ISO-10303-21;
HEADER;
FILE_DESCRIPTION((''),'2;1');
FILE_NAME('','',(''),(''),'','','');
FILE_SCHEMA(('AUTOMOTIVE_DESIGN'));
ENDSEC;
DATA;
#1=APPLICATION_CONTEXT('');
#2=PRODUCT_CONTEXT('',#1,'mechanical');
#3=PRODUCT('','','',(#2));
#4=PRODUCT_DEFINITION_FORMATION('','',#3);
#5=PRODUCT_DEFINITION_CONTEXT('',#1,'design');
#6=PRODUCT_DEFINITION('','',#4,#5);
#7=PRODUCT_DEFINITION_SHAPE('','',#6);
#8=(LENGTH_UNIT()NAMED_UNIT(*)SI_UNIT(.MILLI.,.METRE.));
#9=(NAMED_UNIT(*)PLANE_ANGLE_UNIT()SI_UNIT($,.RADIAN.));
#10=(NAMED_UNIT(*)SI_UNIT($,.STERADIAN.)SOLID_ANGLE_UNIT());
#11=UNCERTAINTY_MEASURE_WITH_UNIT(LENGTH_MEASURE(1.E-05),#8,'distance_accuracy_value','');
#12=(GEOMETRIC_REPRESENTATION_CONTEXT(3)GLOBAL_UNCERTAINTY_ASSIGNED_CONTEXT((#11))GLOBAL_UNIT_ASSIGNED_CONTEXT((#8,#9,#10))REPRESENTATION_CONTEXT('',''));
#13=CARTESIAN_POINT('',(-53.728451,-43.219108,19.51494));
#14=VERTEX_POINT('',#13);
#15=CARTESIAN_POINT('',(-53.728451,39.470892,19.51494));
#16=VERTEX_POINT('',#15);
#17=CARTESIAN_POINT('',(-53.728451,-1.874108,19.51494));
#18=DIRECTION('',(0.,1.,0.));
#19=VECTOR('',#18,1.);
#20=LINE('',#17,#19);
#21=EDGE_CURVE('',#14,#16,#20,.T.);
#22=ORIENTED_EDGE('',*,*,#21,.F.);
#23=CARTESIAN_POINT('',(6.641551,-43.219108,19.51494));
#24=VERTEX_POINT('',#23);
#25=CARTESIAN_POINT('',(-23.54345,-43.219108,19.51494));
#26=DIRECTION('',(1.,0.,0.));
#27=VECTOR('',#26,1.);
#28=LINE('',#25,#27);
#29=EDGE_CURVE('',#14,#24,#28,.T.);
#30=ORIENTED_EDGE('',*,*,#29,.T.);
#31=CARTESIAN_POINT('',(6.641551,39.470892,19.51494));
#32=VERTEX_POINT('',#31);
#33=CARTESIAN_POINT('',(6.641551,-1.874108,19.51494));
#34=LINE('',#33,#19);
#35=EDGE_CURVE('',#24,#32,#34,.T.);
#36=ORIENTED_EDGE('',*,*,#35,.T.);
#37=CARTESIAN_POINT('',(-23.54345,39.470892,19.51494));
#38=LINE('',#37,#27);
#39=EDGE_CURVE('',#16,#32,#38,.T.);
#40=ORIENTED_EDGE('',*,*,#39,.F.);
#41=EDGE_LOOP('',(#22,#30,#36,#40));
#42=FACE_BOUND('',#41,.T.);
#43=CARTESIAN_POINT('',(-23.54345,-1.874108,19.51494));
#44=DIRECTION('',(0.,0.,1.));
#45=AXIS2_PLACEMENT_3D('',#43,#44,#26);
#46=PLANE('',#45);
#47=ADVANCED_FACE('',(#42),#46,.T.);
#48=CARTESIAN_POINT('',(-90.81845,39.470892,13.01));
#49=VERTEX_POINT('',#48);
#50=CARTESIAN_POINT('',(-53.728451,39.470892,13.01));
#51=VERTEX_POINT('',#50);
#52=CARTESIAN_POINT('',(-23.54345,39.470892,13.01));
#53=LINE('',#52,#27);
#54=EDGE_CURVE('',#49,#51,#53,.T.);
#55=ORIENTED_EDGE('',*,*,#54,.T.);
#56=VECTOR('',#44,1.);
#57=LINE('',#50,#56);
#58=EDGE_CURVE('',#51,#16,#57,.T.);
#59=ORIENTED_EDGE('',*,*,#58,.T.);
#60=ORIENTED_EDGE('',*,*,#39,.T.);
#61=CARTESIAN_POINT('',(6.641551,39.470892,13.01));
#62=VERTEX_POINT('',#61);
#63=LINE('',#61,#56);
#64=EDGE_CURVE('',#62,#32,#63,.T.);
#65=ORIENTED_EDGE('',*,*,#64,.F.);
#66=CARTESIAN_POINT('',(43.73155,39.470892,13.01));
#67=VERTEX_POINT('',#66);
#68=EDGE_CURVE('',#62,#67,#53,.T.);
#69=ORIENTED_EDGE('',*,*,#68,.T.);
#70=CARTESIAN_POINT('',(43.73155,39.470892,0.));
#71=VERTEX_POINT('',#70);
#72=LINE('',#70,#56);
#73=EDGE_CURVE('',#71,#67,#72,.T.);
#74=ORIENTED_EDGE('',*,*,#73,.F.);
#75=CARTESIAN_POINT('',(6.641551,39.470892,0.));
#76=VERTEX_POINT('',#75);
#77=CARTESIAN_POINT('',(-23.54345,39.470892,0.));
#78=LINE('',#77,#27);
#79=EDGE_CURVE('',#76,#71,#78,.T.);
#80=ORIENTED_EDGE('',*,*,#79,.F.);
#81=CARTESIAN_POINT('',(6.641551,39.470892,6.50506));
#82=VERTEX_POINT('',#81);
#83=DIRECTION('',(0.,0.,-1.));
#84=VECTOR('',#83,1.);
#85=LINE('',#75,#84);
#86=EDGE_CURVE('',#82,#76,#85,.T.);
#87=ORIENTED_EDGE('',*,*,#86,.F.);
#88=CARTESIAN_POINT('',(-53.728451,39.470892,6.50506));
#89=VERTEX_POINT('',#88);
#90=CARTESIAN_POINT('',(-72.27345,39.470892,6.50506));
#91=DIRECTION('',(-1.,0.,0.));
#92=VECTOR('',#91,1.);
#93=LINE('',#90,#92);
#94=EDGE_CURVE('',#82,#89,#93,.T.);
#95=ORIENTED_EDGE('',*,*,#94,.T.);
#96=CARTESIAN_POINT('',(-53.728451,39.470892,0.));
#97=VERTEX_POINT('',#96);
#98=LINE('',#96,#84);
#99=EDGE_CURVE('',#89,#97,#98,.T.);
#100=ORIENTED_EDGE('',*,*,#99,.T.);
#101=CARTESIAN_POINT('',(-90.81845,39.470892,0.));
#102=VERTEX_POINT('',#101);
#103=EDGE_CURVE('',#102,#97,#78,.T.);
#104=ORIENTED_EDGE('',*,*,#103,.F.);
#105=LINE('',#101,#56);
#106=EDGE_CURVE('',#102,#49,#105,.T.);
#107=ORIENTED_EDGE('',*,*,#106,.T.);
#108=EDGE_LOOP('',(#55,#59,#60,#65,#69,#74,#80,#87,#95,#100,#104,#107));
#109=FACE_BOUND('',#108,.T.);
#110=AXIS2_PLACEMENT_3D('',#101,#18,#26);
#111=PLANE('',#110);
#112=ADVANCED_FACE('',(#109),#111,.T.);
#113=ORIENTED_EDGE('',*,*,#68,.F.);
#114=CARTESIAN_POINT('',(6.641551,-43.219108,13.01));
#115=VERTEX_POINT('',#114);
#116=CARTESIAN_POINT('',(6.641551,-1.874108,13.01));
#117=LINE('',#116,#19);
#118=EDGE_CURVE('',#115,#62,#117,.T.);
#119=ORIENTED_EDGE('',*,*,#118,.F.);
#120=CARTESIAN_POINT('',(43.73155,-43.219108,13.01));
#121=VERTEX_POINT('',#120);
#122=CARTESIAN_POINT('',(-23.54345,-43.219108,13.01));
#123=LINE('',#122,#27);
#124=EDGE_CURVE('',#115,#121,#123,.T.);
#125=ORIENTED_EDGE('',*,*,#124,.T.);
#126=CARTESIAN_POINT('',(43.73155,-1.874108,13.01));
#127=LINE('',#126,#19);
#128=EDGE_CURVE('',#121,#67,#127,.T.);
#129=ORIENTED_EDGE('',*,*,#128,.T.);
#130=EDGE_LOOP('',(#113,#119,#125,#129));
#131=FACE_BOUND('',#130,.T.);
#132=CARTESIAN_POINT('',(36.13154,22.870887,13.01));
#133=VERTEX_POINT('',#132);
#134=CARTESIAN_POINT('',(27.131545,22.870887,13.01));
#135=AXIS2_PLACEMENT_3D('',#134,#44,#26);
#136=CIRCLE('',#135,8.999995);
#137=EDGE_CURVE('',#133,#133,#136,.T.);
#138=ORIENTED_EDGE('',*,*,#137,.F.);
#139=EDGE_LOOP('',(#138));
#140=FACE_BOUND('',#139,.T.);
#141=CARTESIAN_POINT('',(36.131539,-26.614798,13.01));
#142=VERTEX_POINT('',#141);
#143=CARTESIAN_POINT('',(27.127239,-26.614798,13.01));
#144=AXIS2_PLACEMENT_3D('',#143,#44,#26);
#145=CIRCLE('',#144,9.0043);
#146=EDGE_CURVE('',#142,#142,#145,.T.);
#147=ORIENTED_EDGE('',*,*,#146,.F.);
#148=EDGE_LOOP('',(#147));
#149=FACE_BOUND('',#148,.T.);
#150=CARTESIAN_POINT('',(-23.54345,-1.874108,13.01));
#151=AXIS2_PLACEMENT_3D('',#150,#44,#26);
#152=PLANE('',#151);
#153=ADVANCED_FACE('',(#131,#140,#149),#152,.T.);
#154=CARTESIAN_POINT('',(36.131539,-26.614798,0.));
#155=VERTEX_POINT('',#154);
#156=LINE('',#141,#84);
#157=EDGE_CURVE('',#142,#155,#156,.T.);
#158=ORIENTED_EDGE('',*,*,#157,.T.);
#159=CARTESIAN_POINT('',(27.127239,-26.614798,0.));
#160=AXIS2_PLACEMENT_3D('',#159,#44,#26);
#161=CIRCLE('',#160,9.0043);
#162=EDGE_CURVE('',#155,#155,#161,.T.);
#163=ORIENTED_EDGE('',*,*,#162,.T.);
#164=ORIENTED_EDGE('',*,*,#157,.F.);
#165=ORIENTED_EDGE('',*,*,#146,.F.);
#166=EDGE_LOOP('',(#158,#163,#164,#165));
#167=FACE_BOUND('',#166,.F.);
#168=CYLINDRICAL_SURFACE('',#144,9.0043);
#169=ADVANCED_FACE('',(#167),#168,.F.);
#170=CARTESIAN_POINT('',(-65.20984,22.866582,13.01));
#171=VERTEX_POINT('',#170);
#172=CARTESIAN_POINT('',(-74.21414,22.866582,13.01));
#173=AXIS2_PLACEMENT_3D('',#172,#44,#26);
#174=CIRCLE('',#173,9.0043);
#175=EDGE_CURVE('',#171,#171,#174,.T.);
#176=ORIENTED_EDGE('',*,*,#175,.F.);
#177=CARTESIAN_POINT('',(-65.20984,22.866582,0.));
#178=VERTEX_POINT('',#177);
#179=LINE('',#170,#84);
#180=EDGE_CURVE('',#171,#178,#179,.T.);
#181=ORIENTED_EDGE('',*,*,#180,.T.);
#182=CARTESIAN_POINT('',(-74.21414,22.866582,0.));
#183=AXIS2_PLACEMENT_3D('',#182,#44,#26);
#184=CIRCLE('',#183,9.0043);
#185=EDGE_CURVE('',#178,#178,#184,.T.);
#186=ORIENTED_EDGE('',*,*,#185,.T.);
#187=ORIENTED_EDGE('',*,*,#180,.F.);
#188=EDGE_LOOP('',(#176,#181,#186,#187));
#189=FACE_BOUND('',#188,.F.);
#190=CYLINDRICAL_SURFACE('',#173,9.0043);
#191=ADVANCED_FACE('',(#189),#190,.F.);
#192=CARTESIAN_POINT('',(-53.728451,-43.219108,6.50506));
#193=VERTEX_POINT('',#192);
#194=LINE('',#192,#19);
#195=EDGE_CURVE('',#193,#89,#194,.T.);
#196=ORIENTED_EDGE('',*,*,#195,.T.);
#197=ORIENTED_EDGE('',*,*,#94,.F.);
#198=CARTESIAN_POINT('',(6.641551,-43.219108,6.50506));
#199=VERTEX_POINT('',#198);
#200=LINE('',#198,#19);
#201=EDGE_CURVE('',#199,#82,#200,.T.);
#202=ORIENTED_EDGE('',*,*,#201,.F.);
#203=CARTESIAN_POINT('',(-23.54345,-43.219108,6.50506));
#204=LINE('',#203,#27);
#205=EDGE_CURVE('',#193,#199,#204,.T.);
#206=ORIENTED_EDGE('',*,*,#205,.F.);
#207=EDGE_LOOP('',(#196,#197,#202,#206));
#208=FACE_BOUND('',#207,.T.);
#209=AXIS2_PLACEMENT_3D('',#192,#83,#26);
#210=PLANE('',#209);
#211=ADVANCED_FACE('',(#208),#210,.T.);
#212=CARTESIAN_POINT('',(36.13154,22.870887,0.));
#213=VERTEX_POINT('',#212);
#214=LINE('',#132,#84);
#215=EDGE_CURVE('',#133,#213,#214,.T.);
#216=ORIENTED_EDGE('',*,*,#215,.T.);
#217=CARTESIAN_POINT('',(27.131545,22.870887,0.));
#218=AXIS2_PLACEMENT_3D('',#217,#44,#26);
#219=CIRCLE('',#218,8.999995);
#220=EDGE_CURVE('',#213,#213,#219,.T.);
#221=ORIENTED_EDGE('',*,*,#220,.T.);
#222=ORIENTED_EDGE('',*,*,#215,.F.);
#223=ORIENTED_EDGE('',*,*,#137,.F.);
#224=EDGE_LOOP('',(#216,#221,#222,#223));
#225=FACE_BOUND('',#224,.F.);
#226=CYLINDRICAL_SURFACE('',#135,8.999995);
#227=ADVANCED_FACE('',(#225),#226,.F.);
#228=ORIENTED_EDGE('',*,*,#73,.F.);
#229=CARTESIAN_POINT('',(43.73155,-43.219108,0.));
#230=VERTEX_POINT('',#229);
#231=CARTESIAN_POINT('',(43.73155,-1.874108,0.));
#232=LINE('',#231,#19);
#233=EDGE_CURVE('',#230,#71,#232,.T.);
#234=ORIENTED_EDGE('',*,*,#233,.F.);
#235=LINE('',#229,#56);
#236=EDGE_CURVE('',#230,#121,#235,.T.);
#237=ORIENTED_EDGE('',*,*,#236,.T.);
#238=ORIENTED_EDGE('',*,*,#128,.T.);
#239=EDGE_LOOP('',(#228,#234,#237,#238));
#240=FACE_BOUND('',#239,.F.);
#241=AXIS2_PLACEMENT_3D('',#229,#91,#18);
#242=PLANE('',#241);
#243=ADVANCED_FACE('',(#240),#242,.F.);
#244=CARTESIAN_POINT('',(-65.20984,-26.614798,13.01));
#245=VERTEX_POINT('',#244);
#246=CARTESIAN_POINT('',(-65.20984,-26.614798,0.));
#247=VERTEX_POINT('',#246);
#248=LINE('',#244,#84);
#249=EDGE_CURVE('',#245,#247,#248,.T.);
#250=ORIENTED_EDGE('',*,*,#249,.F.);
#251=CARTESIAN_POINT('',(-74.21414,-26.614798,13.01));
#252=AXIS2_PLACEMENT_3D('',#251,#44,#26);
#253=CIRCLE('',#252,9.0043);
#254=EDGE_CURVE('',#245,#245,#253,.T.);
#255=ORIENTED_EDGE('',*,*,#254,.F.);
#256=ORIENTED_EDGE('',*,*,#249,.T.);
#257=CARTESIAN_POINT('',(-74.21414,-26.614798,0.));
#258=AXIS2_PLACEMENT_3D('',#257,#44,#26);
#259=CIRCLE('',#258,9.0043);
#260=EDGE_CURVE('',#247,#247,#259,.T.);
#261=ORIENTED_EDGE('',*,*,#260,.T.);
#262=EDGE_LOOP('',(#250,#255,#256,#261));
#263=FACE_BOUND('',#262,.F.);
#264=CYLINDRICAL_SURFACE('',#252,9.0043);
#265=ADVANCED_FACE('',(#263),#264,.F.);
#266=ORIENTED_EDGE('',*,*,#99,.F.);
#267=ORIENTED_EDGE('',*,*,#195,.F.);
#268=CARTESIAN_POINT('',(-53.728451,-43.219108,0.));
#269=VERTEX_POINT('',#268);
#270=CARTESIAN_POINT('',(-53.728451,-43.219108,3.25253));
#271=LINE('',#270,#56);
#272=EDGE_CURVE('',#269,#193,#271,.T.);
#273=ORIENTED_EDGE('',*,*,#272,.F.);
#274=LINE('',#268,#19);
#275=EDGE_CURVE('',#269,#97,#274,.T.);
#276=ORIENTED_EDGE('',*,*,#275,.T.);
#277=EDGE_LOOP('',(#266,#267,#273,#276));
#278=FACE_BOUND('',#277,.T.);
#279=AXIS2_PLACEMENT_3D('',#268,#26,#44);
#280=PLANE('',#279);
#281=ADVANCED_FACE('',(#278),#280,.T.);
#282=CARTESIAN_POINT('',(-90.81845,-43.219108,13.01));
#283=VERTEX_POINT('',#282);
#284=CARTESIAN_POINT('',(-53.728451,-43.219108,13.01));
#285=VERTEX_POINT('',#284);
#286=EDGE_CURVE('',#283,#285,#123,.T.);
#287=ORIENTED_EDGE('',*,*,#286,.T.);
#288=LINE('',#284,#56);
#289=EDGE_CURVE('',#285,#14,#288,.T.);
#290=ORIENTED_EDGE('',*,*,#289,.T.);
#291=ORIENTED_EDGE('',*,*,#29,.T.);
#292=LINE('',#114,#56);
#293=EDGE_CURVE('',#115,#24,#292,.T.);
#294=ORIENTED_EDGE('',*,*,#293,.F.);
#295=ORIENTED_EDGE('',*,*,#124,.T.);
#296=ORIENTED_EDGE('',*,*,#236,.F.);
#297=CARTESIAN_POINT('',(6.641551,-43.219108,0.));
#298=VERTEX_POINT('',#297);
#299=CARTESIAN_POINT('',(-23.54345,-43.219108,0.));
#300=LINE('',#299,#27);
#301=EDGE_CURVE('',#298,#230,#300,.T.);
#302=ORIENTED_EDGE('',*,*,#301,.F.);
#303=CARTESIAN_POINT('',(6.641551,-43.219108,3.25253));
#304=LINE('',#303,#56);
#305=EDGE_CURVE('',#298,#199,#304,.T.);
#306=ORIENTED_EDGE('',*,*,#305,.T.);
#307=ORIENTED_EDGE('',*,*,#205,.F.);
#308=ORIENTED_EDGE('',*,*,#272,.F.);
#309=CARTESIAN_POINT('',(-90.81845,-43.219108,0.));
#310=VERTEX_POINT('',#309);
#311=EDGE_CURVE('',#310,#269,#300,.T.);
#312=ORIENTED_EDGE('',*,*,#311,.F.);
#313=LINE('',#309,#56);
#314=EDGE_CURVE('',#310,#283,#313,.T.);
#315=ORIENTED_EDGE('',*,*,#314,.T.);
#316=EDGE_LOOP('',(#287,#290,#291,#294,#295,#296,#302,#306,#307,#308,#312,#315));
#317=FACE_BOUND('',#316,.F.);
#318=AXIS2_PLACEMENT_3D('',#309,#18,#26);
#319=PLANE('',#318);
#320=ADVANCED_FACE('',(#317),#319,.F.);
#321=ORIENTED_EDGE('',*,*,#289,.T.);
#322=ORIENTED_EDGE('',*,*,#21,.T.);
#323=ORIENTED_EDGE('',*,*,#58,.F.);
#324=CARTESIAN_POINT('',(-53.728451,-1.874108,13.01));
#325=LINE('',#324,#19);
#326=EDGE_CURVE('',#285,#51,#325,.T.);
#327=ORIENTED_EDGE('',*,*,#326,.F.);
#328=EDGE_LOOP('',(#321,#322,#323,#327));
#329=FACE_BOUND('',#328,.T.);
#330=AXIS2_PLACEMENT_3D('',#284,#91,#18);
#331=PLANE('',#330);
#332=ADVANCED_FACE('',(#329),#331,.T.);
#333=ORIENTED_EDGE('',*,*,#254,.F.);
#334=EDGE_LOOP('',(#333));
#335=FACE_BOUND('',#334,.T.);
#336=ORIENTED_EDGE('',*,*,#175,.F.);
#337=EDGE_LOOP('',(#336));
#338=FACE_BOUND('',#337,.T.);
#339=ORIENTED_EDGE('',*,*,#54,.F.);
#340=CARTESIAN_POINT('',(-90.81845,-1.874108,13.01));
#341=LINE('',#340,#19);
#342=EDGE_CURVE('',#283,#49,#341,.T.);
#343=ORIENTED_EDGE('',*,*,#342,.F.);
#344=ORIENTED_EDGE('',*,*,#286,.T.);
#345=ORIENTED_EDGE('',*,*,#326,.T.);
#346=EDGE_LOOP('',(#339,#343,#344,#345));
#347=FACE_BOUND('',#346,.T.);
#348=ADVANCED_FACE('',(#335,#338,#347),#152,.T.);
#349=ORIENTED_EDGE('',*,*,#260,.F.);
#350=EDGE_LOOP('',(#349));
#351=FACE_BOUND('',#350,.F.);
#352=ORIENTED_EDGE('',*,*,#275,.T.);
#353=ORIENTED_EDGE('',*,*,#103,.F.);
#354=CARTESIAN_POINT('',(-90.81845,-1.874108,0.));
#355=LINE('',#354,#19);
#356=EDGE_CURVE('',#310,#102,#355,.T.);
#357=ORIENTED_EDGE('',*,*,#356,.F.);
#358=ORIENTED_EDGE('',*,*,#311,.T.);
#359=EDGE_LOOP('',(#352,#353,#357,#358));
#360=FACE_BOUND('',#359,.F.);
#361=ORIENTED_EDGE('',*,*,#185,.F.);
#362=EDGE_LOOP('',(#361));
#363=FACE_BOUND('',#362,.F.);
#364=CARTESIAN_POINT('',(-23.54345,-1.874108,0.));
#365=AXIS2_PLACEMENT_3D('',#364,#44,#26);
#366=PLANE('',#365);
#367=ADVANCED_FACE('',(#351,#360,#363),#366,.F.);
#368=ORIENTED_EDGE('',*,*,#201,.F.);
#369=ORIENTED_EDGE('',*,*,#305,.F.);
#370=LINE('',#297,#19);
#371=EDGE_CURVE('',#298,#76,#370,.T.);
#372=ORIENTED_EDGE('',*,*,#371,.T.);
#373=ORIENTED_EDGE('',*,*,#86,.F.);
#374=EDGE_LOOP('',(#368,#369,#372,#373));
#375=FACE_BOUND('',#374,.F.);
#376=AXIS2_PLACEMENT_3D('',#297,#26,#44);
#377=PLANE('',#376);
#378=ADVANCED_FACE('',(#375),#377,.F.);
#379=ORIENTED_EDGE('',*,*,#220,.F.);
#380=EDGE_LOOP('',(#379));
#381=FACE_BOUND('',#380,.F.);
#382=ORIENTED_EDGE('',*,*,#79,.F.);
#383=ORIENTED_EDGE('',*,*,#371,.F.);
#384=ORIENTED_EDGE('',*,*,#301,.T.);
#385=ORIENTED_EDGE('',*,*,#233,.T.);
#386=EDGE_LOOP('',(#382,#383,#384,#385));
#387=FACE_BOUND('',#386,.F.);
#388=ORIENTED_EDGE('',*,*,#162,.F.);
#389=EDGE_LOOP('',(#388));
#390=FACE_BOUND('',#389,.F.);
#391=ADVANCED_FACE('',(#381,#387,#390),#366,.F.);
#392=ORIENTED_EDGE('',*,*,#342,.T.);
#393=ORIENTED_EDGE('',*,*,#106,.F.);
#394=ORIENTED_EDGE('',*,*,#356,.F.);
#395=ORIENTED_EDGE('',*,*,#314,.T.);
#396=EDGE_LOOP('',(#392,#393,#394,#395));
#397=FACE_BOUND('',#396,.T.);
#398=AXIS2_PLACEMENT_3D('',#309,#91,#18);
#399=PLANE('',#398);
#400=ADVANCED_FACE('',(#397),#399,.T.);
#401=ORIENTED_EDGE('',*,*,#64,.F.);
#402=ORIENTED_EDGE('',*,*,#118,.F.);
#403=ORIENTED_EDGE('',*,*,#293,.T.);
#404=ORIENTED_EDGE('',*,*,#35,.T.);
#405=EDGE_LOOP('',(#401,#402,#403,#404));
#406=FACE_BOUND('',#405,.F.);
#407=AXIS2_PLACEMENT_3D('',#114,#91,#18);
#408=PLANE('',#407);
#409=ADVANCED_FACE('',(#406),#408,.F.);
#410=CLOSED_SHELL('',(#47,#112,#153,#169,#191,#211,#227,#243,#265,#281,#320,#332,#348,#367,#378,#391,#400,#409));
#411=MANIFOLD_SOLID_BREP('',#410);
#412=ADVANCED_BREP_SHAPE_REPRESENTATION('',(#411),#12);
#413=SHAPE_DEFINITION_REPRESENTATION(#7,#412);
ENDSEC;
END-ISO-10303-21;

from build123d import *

# Parameters (mm, degrees)
F0_W     = 134.55
F0_H     = 82.69
F1_DEPTH = 13.01
F2_W     = 60.370001
F2_H     = 6.50506
F3_DEPTH = 82.691
F4_W     = 60.370001
F4_H     = 82.69
F5_DEPTH = 6.50494
F6_R     = 8.999995
F6_R_2   = 9.0043
F7_DEPTH = 13.011


with BuildPart() as f1:
    # F0 (on Top) → F1 (new body)
    with BuildSketch(Plane.XY):
        with Locations((-23.54345, -1.874108)):
            Rectangle(F0_W, F0_H)
    extrude(amount=F1_DEPTH)

    # F2 (on face) → F3 (cut, through all)
    with BuildSketch(Plane.XZ.offset(43.219108)):
        with Locations((-23.54345, 3.25253)):
            Rectangle(F2_W, F2_H)
    extrude(amount=-F3_DEPTH, mode=Mode.SUBTRACT)

    # F4 (on face) → F5 (join)
    with BuildSketch(Plane.XY.offset(13.01)):
        with Locations((-23.54345, -1.874108)):
            Rectangle(F4_W, F4_H)
    extrude(amount=F5_DEPTH)

    # F6 (on face) → F7 (cut, through all)
    with BuildSketch(Plane.XY.offset(13.01)):
        with Locations((27.131545, 22.870887)):
            Circle(F6_R)
        with Locations((27.127239, -26.614798)):
            Circle(F6_R_2)
        with Locations((-74.21414, 22.866582)):
            Circle(F6_R_2)
        with Locations((-74.21414, -26.614798)):
            Circle(F6_R_2)
    extrude(amount=-F7_DEPTH, mode=Mode.SUBTRACT)


solid = f1.part
